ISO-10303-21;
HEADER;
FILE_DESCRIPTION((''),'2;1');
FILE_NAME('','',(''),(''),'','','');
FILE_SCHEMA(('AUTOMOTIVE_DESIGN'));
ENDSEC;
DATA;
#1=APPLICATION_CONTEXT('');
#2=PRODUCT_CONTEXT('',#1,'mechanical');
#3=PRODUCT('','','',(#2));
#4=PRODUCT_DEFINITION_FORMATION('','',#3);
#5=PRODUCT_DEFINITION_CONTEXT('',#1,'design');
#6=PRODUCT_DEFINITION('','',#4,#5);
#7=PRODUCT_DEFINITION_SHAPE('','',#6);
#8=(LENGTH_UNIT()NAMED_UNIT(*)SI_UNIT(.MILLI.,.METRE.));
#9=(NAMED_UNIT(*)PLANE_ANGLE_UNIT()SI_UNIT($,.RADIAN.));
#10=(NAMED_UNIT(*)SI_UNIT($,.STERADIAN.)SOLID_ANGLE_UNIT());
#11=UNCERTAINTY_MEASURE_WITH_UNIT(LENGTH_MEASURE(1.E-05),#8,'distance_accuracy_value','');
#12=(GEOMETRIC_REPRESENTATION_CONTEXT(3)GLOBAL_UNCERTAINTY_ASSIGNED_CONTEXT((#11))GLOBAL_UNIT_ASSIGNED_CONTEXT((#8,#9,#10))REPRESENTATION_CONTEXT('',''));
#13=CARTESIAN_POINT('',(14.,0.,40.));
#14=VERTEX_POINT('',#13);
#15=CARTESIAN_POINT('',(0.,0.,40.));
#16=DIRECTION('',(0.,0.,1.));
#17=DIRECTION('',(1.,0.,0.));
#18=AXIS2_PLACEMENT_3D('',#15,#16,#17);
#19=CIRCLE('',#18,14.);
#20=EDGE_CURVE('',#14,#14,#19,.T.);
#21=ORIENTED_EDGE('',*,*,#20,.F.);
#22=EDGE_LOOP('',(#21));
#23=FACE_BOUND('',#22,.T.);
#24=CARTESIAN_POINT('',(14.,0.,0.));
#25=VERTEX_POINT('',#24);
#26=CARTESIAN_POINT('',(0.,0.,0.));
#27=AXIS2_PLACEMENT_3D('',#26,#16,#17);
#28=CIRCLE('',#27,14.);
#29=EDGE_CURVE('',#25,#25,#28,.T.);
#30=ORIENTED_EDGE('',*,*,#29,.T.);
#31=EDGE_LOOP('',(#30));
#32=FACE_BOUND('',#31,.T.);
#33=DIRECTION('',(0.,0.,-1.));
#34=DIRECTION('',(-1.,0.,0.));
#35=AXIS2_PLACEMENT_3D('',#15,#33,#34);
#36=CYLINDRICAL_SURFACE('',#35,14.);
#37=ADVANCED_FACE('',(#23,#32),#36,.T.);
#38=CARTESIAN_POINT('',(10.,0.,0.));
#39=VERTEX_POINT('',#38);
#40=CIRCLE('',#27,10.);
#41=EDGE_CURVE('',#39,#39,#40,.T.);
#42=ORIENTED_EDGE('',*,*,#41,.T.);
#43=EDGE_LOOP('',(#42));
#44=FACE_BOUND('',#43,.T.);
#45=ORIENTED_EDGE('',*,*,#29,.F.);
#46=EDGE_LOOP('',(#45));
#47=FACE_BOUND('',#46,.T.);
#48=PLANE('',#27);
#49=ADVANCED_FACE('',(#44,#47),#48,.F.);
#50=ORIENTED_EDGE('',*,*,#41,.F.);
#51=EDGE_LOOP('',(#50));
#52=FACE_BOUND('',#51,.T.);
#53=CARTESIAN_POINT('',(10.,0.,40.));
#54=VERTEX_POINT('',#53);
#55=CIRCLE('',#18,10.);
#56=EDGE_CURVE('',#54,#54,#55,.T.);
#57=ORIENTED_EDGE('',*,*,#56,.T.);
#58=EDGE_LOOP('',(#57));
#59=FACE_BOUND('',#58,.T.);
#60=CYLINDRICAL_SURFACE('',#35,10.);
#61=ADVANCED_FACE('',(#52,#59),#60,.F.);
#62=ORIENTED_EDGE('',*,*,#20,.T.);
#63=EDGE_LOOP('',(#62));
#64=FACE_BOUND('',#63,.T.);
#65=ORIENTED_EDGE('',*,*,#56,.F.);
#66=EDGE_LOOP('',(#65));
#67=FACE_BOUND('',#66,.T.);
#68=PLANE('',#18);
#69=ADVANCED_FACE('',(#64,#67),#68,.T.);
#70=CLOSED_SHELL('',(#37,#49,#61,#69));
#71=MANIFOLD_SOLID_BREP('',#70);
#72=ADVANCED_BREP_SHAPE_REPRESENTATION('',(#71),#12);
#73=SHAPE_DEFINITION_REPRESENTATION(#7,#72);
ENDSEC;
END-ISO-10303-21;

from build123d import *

# Parameters (mm, degrees)
ESQUISSE1_R          = 14
ESQUISSE1_R_2        = 10
BASE_EXTRUSION_DEPTH = 40


with BuildPart() as part:
    # Esquisse1 → Base-Extrusion (new body)
    with BuildSketch(Plane.XY):
        Circle(ESQUISSE1_R)
        Circle(ESQUISSE1_R_2, mode=Mode.SUBTRACT)
    extrude(amount=BASE_EXTRUSION_DEPTH)


solid = part.part
